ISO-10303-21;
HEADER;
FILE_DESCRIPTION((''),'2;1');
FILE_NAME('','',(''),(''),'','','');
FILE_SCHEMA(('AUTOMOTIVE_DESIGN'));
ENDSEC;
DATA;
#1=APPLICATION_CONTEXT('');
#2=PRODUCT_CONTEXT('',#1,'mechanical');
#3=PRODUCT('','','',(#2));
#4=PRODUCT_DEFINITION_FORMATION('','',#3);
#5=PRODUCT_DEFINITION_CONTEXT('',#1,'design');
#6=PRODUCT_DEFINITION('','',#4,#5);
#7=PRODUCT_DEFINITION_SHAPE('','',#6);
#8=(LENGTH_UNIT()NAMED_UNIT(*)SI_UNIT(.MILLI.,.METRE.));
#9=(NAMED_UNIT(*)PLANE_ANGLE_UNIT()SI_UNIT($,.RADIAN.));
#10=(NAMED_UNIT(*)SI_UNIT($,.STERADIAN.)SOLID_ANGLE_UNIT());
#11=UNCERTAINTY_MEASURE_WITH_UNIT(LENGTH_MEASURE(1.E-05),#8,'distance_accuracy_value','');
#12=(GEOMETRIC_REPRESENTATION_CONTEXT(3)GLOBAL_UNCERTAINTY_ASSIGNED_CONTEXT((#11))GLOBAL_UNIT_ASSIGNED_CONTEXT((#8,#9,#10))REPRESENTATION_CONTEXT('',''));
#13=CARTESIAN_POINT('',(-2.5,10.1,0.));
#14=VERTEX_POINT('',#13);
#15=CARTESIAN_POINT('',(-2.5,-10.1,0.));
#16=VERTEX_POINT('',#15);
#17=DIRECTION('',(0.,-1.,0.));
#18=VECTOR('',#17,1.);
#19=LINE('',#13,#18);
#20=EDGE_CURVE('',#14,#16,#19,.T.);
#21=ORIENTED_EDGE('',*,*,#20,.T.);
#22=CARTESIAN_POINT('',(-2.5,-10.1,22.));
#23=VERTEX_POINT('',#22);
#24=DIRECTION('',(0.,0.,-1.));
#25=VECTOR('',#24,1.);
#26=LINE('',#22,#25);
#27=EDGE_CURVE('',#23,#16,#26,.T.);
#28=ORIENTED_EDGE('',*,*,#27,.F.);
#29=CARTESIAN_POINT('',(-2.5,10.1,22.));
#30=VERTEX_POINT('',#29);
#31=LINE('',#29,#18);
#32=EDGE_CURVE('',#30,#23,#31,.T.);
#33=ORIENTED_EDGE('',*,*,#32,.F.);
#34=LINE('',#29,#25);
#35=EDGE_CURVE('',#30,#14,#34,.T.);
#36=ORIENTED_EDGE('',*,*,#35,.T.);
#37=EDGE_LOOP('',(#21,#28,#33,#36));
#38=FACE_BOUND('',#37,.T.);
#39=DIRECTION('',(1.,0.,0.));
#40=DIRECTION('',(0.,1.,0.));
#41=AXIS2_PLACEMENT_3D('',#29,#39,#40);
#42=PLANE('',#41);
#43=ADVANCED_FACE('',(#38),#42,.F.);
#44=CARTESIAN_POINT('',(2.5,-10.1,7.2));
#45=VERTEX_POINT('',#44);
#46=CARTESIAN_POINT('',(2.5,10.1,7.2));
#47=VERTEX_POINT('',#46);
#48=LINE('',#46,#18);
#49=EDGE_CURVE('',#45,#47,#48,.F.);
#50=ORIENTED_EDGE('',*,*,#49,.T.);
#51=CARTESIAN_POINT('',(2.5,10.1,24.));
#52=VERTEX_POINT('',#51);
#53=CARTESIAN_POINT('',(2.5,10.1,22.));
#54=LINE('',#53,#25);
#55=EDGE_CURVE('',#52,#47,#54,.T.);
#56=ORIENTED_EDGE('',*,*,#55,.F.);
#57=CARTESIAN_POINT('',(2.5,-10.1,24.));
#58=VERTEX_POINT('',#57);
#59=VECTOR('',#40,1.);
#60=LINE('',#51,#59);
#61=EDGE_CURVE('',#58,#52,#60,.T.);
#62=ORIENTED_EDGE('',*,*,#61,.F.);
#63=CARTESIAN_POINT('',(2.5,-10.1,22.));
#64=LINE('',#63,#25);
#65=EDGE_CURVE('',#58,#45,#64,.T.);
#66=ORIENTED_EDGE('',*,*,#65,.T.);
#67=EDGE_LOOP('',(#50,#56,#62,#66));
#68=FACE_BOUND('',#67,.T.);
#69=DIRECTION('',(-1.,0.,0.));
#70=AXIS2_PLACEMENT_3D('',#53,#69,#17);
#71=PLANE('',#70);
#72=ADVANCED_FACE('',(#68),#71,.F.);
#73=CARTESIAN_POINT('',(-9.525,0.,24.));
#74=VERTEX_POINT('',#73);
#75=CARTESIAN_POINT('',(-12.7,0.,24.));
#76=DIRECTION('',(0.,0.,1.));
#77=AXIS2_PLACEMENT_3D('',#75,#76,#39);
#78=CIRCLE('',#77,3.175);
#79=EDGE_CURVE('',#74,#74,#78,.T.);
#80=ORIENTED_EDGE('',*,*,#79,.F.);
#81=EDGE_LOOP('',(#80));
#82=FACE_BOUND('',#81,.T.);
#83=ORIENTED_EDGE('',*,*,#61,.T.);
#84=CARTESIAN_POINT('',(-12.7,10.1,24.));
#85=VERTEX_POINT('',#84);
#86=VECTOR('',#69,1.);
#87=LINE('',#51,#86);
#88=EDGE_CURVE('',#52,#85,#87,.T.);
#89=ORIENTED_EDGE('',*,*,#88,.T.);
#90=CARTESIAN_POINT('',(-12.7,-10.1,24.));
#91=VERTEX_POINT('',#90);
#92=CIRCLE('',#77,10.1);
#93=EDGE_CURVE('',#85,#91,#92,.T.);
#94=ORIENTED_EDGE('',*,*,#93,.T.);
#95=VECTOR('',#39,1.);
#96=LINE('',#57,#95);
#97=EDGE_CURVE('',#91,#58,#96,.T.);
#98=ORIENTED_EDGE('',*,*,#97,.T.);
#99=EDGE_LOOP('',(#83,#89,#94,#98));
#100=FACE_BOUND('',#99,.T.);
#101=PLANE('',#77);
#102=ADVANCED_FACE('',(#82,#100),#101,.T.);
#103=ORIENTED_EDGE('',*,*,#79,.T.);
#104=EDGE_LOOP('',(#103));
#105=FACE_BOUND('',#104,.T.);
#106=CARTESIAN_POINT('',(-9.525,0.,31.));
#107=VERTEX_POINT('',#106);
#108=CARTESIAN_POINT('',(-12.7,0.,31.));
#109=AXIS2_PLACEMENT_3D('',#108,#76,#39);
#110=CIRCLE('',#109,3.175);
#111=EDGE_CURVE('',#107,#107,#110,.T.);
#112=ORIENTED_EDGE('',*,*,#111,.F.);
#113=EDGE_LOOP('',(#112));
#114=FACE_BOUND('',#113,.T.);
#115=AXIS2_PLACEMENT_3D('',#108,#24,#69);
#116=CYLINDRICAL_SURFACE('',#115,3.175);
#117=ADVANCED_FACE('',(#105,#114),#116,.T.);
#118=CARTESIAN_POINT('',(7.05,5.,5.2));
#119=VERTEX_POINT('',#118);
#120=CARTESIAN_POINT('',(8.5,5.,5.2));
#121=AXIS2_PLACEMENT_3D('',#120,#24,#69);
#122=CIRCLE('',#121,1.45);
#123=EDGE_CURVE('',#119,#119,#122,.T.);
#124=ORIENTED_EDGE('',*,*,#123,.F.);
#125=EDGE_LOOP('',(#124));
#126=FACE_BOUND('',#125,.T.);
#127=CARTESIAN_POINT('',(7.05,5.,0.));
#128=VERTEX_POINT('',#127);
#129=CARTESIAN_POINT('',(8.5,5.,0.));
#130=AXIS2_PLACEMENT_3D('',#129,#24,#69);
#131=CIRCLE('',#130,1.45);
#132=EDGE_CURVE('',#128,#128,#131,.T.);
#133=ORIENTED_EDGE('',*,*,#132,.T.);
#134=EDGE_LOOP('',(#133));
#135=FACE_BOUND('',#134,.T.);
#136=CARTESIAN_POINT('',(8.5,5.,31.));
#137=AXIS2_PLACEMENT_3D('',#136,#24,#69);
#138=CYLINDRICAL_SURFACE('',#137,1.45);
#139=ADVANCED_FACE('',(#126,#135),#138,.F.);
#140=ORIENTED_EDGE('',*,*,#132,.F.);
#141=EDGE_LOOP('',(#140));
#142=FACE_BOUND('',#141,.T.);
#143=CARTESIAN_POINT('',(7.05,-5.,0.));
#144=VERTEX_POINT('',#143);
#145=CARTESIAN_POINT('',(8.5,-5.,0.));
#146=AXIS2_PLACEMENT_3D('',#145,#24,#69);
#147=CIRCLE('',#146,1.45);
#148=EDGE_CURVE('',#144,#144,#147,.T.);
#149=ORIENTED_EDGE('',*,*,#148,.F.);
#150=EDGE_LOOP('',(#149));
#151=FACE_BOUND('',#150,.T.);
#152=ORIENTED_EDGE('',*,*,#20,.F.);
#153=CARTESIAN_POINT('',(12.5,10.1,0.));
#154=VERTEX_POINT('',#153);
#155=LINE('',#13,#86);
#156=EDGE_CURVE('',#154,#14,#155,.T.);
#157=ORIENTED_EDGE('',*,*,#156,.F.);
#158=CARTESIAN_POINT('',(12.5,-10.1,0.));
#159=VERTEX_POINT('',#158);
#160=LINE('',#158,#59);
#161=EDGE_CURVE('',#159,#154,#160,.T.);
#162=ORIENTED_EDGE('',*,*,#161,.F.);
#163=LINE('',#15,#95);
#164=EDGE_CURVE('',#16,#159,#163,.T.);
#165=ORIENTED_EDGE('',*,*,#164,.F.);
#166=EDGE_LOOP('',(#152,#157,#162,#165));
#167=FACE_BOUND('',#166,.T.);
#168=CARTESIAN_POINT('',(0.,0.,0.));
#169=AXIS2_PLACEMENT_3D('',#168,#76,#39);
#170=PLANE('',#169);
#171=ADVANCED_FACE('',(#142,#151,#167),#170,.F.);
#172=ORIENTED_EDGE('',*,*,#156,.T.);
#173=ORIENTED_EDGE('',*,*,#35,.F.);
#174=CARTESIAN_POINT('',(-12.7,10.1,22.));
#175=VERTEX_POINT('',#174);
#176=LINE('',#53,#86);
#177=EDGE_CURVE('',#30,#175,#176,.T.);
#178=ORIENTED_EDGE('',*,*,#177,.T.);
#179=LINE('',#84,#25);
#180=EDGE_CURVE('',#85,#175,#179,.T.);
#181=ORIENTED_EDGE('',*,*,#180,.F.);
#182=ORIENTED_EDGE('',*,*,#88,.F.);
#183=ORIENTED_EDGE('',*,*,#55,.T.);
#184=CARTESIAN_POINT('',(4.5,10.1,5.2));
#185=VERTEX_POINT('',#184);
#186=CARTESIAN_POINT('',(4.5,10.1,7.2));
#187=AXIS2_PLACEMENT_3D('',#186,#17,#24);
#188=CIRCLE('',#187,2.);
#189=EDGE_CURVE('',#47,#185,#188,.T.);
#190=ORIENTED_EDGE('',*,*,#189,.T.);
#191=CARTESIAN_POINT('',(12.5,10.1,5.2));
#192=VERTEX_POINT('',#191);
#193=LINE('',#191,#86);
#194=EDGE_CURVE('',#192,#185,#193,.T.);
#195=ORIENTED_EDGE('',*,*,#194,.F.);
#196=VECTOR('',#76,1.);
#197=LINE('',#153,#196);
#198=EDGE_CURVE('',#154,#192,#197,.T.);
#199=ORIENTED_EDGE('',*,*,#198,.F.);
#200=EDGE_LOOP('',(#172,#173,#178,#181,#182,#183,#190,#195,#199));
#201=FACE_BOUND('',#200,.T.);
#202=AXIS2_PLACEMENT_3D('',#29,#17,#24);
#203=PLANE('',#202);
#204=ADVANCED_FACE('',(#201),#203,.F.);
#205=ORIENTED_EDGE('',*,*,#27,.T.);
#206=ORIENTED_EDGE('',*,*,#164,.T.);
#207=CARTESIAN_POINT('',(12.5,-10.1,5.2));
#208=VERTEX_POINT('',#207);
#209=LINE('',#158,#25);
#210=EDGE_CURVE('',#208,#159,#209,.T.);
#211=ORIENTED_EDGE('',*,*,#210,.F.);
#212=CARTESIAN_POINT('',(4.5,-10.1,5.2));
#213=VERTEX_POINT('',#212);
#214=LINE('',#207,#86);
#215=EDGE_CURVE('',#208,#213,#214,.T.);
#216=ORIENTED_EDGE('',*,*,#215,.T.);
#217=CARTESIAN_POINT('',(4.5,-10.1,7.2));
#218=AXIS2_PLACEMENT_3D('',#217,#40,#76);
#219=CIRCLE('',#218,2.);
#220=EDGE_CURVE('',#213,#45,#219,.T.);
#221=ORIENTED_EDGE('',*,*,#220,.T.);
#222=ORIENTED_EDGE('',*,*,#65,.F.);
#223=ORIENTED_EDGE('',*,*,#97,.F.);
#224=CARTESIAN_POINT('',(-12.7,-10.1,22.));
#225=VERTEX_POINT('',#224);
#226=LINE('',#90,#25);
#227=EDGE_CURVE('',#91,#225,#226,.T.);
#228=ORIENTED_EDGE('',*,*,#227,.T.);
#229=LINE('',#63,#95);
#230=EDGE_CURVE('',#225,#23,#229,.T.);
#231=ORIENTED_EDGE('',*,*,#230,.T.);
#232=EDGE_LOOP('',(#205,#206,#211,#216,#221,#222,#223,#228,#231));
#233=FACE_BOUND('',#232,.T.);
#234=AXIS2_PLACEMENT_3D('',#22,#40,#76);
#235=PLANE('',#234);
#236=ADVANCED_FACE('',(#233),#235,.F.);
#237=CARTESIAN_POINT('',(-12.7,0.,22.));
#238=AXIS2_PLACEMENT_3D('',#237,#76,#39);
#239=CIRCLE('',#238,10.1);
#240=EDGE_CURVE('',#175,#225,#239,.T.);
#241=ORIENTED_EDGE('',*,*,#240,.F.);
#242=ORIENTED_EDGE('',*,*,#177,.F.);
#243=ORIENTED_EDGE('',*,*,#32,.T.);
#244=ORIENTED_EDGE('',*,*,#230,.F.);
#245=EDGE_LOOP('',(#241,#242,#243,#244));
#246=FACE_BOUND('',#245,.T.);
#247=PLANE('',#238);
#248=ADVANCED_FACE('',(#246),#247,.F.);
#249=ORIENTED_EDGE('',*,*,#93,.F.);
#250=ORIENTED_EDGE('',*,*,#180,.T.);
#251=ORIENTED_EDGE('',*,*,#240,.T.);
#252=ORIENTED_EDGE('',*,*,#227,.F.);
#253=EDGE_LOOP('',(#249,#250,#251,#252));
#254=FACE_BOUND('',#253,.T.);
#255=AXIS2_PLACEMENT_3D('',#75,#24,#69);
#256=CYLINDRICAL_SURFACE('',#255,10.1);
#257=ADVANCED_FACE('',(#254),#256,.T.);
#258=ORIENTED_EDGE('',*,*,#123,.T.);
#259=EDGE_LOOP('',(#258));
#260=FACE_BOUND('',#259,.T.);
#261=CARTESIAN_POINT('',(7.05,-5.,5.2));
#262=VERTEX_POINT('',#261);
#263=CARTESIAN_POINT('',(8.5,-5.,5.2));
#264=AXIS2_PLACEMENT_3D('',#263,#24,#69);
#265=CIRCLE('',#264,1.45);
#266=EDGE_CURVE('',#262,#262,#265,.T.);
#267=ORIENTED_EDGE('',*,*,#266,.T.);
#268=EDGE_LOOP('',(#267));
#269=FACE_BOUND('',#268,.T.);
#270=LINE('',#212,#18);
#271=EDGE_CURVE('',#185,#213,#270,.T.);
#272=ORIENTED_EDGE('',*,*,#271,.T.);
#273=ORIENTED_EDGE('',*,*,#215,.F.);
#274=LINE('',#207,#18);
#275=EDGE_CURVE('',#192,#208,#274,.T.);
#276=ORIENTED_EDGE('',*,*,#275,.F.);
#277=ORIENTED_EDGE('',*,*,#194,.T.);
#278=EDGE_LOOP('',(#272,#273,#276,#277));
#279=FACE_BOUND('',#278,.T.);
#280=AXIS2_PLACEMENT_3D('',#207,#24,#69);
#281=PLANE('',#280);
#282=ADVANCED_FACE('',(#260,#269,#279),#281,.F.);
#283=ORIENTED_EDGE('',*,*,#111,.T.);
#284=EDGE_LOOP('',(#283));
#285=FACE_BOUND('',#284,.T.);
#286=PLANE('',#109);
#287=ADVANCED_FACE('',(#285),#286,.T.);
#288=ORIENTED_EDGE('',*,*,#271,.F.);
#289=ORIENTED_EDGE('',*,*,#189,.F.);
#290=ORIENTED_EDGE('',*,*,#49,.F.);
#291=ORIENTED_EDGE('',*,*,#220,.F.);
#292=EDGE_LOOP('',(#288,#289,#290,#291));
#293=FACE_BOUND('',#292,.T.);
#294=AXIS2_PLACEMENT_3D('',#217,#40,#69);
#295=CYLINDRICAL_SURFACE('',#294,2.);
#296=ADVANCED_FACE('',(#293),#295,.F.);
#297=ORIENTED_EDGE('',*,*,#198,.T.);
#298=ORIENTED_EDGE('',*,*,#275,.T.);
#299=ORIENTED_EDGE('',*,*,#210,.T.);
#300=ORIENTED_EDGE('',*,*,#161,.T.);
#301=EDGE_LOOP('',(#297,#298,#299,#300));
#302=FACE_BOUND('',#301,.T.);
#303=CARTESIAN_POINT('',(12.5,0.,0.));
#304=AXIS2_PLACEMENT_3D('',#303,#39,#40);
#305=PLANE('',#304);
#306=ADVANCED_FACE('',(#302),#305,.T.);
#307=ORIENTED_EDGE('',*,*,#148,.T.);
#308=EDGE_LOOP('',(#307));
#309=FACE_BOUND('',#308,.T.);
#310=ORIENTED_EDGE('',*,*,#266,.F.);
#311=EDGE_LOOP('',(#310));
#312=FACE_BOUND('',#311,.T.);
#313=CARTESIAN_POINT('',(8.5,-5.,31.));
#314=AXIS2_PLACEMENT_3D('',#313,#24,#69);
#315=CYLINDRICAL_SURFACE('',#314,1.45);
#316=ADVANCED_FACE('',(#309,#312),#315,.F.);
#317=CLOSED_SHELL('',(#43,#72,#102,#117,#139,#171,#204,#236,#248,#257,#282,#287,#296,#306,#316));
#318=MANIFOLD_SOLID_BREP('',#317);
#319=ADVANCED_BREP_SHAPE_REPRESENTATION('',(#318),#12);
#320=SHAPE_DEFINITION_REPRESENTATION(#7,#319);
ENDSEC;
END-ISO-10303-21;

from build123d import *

# Parameters (mm, degrees)
ESQUISSE1_W         = 5
ESQUISSE1_H         = 20.2
BOSS_EXTRU_1_DEPTH  = 22
BOSS_EXTRU_2_DEPTH  = 2
ESQUISSE3_R         = 3.175
BOSS_EXTRU_3_DEPTH  = 7
SKETCH1_W           = 5.2
SKETCH1_H           = 20.2
BOSS_EXTRUDE1_DEPTH = 10
SKETCH2_R           = 1.45
CUT_EXTRUDE1_DEPTH  = 40.785047442
FILLET1_R           = 2


with BuildPart() as part:
    # Esquisse1 → Boss.-Extru.1 (new body)
    with BuildSketch(Plane.XY):
        Rectangle(ESQUISSE1_W, ESQUISSE1_H)
    extrude(amount=BOSS_EXTRU_1_DEPTH)

    # Esquisse2 → Boss.-Extru.2 (add)
    with BuildSketch(Plane.XY.offset(22)):
        with BuildLine():
            Line((2.5, 10.1), (-12.7, 10.1))
            ThreePointArc((-12.7, 10.1), (-22.8, 0), (-12.7, -10.1))
            Line((-12.7, -10.1), (2.5, -10.1))
            Line((2.5, -10.1), (2.5, 10.1))
        make_face()
    extrude(amount=BOSS_EXTRU_2_DEPTH)

    # Esquisse3 → Boss.-Extru.3 (add)
    with BuildSketch(Plane.XY.offset(24)):
        with Locations((-12.7, 0)):
            Circle(ESQUISSE3_R)
    extrude(amount=BOSS_EXTRU_3_DEPTH)

    # Sketch1 → Boss-Extrude1 (add)
    with BuildSketch(Plane(origin=(2.5, 0, 0), x_dir=(0, 0, -1), z_dir=(1, 0, 0))):
        with Locations((-2.6, 0)):
            Rectangle(SKETCH1_W, SKETCH1_H)
    extrude(amount=BOSS_EXTRUDE1_DEPTH)

    # Sketch2 → Cut-Extrude1 (cut, through all)
    with BuildSketch(Plane(origin=(0, 0, 0), x_dir=(-1, 0, 0), z_dir=(0, 0, -1))):
        with Locations((-8.5, -5)):
            Circle(SKETCH2_R)
        with Locations((-8.5, 5)):
            Circle(SKETCH2_R)
    extrude(amount=-CUT_EXTRUDE1_DEPTH, mode=Mode.SUBTRACT)

    # Fillet1
    fillet1_edges = [part.edges().sort_by_distance(p)[0] for p in [
        (2.5, 0, 5.2),
    ]]
    fillet(fillet1_edges, radius=FILLET1_R)


solid = part.part
